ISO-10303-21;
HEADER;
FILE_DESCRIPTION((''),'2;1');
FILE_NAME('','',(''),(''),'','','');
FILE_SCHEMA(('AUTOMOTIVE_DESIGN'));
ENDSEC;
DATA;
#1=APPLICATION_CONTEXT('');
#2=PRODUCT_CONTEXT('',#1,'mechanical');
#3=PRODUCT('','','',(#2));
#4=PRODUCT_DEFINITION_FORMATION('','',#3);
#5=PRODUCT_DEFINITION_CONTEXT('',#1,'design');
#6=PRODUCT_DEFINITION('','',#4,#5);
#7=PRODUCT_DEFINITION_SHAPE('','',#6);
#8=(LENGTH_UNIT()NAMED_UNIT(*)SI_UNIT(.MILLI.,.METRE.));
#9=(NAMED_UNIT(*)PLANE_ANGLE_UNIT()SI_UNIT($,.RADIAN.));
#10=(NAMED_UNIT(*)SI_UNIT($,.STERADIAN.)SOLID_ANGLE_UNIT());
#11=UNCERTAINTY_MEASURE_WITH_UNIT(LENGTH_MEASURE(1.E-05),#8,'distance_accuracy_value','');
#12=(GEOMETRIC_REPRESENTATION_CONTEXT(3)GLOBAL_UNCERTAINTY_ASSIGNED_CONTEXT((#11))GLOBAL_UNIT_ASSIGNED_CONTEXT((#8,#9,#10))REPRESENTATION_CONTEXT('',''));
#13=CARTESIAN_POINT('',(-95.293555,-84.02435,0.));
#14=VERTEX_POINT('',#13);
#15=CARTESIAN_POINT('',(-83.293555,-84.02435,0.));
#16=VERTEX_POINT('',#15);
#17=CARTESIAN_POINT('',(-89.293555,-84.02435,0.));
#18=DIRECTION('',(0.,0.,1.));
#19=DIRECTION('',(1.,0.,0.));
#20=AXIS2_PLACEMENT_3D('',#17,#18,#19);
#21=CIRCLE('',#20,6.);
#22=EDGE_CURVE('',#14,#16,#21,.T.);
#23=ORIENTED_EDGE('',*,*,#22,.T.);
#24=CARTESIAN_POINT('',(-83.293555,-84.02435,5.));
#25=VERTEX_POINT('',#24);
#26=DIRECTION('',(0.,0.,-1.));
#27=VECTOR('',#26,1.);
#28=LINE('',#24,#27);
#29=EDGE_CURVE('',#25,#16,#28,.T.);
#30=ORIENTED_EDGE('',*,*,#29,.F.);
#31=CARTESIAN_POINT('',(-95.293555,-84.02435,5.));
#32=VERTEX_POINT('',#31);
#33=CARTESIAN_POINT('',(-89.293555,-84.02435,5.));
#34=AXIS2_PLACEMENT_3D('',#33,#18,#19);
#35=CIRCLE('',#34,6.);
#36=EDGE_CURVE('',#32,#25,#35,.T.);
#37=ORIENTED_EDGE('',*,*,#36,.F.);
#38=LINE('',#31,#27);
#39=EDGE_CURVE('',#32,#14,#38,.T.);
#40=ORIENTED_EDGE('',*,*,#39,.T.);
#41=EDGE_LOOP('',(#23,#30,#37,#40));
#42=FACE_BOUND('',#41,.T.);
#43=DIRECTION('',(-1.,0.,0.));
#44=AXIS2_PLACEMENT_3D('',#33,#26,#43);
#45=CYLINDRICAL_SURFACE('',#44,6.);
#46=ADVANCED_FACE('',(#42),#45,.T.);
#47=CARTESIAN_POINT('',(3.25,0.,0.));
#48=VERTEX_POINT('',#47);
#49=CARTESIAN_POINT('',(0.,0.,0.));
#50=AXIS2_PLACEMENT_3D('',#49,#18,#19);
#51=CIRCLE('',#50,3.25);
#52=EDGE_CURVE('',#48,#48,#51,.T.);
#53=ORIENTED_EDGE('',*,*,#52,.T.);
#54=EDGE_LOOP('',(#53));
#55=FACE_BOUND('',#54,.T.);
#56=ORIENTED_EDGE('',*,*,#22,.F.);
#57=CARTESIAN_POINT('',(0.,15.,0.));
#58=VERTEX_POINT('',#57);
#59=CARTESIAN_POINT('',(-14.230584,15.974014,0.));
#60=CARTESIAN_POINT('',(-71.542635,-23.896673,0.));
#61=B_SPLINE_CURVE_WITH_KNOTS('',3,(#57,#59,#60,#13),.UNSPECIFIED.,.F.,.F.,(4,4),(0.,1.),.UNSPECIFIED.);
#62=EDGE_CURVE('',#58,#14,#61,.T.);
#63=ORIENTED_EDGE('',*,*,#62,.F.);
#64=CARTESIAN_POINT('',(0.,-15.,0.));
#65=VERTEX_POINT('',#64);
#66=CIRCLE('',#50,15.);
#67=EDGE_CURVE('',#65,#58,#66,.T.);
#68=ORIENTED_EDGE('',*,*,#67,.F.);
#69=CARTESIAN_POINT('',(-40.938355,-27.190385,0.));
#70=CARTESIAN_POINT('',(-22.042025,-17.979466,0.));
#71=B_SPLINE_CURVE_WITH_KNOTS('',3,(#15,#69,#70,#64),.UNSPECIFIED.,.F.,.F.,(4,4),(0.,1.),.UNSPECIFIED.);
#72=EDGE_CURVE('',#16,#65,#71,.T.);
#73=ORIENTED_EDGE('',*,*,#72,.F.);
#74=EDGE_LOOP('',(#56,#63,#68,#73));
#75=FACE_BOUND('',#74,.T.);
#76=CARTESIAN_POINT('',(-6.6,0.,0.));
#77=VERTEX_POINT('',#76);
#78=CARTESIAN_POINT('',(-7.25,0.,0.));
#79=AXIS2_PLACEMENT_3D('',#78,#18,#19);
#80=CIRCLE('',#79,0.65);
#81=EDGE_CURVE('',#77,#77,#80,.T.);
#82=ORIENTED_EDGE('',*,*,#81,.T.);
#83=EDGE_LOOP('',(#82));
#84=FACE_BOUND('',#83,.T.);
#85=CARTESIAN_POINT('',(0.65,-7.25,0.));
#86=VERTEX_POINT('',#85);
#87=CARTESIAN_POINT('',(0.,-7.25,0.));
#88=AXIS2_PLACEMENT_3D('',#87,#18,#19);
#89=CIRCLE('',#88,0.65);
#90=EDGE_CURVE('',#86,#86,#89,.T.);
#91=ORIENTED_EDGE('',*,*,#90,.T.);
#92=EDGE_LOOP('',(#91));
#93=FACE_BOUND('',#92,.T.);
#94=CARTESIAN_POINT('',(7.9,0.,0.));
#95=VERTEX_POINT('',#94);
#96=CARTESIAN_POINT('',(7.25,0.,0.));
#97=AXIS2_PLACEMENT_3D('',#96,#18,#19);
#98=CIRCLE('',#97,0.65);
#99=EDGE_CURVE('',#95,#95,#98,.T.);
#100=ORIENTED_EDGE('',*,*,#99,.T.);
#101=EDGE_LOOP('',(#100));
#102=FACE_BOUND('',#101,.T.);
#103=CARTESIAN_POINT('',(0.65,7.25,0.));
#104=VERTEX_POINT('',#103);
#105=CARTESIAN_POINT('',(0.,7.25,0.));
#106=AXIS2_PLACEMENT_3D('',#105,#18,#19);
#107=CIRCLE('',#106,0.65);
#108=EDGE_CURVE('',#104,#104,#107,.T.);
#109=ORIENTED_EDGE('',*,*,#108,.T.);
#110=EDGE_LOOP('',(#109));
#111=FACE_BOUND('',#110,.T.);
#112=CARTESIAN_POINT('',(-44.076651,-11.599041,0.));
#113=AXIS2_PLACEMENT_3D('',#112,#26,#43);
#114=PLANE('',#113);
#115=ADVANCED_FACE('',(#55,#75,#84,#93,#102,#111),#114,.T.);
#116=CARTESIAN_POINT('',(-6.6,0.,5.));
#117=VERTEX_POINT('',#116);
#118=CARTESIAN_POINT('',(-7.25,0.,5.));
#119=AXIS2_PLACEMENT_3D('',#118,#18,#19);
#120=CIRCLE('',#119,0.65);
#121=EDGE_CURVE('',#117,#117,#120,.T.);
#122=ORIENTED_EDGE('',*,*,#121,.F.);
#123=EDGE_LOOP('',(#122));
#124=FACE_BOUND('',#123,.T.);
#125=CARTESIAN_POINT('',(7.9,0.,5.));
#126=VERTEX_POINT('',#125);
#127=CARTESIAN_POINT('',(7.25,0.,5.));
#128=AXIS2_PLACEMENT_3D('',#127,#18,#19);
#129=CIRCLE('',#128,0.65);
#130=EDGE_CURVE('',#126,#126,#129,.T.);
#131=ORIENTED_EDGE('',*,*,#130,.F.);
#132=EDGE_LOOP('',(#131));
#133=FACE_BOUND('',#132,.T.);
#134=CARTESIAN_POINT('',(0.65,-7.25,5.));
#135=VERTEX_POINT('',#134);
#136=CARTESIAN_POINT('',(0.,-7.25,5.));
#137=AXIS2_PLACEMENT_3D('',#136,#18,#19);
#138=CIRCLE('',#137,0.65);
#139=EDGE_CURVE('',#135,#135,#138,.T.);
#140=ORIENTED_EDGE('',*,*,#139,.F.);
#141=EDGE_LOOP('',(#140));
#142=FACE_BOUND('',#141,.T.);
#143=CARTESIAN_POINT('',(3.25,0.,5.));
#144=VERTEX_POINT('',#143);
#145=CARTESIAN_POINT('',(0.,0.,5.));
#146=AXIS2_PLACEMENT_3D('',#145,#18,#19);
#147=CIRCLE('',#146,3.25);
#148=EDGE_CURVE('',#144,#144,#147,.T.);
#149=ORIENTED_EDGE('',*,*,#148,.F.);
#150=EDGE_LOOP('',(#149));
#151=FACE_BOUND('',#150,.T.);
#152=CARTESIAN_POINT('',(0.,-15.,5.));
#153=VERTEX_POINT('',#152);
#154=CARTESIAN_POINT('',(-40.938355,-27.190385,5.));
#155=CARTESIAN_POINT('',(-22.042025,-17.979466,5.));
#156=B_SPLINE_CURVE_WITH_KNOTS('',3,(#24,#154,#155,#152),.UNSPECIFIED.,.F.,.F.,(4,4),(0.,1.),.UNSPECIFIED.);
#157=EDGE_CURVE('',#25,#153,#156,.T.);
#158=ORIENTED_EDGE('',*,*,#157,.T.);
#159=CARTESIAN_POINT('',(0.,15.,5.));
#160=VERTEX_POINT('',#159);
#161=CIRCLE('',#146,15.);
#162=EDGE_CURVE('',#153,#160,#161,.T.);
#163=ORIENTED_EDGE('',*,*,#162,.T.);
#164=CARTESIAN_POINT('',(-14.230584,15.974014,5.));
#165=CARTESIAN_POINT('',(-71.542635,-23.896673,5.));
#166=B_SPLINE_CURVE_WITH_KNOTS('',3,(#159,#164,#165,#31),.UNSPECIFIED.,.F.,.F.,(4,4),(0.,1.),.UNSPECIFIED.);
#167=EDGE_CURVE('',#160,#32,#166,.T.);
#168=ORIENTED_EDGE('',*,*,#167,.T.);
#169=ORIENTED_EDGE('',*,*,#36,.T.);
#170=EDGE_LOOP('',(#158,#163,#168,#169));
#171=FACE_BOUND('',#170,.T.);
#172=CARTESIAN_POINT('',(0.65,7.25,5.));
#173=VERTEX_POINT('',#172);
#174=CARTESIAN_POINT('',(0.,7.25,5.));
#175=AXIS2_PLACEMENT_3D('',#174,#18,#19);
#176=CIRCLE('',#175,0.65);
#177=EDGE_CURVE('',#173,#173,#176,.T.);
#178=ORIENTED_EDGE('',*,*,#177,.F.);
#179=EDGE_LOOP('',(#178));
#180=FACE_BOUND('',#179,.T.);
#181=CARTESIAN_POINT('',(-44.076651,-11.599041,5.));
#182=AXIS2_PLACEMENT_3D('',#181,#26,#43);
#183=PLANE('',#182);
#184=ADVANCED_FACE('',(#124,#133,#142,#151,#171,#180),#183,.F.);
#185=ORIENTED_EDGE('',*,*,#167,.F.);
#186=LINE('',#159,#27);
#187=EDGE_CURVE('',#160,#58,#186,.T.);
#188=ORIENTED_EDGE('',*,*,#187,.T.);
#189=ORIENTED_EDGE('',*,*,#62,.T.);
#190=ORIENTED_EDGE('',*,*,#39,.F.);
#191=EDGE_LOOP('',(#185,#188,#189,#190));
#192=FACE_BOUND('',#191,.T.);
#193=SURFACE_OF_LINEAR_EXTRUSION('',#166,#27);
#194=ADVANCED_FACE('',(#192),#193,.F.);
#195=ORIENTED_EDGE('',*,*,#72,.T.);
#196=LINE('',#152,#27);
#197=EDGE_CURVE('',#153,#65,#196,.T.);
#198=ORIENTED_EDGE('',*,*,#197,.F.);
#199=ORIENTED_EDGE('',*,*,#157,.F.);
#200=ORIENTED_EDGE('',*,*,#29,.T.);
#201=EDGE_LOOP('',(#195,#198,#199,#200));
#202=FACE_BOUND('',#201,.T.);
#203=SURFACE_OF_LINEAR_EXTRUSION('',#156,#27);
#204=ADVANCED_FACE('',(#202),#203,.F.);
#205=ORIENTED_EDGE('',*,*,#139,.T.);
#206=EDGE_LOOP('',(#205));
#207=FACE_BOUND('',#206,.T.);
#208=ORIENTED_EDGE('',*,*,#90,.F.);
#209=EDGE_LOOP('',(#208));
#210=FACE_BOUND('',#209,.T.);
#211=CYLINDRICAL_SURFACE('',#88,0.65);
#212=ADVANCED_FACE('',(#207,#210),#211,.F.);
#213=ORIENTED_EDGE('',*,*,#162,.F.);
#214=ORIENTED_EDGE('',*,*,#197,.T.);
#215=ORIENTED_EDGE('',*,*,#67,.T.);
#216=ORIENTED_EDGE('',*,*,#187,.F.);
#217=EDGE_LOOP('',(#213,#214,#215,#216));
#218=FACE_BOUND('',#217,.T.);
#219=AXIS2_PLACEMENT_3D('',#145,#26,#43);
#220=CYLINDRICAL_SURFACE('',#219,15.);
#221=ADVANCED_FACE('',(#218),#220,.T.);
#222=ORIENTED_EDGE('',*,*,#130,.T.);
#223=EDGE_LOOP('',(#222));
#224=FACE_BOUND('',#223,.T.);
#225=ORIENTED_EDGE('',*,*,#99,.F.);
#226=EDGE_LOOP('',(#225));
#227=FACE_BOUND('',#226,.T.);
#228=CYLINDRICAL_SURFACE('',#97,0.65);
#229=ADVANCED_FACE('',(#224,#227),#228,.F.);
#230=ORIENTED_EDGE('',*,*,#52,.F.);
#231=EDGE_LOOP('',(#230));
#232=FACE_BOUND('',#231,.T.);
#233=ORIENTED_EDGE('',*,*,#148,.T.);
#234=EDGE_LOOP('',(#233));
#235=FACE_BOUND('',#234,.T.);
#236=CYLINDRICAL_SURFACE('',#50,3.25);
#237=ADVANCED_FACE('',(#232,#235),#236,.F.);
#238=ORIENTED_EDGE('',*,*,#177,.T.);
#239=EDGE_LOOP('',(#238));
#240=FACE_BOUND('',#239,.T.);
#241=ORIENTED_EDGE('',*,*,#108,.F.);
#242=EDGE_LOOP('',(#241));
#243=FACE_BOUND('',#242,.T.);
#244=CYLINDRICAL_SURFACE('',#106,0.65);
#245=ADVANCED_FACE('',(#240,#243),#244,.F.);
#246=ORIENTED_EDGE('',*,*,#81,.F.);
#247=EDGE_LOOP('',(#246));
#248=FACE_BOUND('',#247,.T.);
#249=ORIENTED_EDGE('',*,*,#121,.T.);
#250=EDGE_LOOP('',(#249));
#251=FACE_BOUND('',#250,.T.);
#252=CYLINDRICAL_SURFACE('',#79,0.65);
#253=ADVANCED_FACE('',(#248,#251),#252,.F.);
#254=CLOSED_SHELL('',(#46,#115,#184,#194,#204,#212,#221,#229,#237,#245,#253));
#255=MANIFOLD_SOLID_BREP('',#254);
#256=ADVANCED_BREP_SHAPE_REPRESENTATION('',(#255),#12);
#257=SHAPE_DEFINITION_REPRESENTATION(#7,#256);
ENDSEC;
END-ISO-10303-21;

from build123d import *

# Parameters (mm, degrees)
BOSS_EXTRUDE1_DEPTH = 5
SKETCH2_R           = 3.25
SKETCH2_R_2         = 0.65
CUT_EXTRUDE1_DEPTH  = 5


with BuildPart() as part:
    # Sketch1 → Boss-Extrude1 (new body)
    with BuildSketch(Plane.XY):
        with BuildLine():
            ThreePointArc((0, -15), (15, 0), (0, 15))
            add(Edge.make_bspline(
                [(0, 15), (-14.230583968, 15.97401443), (-71.542634771, -23.896673221), (-95.29355487, -84.024349777)],
                knots=[0, 0, 0, 0, 1, 1, 1, 1], degree=3))
            ThreePointArc((-95.29355487, -84.024349777), (-89.29355487, -90.024349777), (-83.293554869, -84.024349777))
            add(Edge.make_bspline(
                [(0, -15), (-22.042025083, -17.979465659), (-40.938355496, -27.190384656), (-83.293554869, -84.024349777)],
                knots=[0, 0, 0, 0, 1, 1, 1, 1], degree=3))
        make_face()
    extrude(amount=BOSS_EXTRUDE1_DEPTH)

    # Sketch2 → Cut-Extrude1 (cut)
    with BuildSketch(Plane.XY.offset(5)):
        Circle(SKETCH2_R)
        with Locations((0, 7.25)):
            Circle(SKETCH2_R_2)
        with Locations((-7.25, 0)):
            Circle(SKETCH2_R_2)
        with Locations((0, -7.25)):
            Circle(SKETCH2_R_2)
        with Locations((7.25, 0)):
            Circle(SKETCH2_R_2)
    extrude(amount=-CUT_EXTRUDE1_DEPTH, mode=Mode.SUBTRACT)


solid = part.part
